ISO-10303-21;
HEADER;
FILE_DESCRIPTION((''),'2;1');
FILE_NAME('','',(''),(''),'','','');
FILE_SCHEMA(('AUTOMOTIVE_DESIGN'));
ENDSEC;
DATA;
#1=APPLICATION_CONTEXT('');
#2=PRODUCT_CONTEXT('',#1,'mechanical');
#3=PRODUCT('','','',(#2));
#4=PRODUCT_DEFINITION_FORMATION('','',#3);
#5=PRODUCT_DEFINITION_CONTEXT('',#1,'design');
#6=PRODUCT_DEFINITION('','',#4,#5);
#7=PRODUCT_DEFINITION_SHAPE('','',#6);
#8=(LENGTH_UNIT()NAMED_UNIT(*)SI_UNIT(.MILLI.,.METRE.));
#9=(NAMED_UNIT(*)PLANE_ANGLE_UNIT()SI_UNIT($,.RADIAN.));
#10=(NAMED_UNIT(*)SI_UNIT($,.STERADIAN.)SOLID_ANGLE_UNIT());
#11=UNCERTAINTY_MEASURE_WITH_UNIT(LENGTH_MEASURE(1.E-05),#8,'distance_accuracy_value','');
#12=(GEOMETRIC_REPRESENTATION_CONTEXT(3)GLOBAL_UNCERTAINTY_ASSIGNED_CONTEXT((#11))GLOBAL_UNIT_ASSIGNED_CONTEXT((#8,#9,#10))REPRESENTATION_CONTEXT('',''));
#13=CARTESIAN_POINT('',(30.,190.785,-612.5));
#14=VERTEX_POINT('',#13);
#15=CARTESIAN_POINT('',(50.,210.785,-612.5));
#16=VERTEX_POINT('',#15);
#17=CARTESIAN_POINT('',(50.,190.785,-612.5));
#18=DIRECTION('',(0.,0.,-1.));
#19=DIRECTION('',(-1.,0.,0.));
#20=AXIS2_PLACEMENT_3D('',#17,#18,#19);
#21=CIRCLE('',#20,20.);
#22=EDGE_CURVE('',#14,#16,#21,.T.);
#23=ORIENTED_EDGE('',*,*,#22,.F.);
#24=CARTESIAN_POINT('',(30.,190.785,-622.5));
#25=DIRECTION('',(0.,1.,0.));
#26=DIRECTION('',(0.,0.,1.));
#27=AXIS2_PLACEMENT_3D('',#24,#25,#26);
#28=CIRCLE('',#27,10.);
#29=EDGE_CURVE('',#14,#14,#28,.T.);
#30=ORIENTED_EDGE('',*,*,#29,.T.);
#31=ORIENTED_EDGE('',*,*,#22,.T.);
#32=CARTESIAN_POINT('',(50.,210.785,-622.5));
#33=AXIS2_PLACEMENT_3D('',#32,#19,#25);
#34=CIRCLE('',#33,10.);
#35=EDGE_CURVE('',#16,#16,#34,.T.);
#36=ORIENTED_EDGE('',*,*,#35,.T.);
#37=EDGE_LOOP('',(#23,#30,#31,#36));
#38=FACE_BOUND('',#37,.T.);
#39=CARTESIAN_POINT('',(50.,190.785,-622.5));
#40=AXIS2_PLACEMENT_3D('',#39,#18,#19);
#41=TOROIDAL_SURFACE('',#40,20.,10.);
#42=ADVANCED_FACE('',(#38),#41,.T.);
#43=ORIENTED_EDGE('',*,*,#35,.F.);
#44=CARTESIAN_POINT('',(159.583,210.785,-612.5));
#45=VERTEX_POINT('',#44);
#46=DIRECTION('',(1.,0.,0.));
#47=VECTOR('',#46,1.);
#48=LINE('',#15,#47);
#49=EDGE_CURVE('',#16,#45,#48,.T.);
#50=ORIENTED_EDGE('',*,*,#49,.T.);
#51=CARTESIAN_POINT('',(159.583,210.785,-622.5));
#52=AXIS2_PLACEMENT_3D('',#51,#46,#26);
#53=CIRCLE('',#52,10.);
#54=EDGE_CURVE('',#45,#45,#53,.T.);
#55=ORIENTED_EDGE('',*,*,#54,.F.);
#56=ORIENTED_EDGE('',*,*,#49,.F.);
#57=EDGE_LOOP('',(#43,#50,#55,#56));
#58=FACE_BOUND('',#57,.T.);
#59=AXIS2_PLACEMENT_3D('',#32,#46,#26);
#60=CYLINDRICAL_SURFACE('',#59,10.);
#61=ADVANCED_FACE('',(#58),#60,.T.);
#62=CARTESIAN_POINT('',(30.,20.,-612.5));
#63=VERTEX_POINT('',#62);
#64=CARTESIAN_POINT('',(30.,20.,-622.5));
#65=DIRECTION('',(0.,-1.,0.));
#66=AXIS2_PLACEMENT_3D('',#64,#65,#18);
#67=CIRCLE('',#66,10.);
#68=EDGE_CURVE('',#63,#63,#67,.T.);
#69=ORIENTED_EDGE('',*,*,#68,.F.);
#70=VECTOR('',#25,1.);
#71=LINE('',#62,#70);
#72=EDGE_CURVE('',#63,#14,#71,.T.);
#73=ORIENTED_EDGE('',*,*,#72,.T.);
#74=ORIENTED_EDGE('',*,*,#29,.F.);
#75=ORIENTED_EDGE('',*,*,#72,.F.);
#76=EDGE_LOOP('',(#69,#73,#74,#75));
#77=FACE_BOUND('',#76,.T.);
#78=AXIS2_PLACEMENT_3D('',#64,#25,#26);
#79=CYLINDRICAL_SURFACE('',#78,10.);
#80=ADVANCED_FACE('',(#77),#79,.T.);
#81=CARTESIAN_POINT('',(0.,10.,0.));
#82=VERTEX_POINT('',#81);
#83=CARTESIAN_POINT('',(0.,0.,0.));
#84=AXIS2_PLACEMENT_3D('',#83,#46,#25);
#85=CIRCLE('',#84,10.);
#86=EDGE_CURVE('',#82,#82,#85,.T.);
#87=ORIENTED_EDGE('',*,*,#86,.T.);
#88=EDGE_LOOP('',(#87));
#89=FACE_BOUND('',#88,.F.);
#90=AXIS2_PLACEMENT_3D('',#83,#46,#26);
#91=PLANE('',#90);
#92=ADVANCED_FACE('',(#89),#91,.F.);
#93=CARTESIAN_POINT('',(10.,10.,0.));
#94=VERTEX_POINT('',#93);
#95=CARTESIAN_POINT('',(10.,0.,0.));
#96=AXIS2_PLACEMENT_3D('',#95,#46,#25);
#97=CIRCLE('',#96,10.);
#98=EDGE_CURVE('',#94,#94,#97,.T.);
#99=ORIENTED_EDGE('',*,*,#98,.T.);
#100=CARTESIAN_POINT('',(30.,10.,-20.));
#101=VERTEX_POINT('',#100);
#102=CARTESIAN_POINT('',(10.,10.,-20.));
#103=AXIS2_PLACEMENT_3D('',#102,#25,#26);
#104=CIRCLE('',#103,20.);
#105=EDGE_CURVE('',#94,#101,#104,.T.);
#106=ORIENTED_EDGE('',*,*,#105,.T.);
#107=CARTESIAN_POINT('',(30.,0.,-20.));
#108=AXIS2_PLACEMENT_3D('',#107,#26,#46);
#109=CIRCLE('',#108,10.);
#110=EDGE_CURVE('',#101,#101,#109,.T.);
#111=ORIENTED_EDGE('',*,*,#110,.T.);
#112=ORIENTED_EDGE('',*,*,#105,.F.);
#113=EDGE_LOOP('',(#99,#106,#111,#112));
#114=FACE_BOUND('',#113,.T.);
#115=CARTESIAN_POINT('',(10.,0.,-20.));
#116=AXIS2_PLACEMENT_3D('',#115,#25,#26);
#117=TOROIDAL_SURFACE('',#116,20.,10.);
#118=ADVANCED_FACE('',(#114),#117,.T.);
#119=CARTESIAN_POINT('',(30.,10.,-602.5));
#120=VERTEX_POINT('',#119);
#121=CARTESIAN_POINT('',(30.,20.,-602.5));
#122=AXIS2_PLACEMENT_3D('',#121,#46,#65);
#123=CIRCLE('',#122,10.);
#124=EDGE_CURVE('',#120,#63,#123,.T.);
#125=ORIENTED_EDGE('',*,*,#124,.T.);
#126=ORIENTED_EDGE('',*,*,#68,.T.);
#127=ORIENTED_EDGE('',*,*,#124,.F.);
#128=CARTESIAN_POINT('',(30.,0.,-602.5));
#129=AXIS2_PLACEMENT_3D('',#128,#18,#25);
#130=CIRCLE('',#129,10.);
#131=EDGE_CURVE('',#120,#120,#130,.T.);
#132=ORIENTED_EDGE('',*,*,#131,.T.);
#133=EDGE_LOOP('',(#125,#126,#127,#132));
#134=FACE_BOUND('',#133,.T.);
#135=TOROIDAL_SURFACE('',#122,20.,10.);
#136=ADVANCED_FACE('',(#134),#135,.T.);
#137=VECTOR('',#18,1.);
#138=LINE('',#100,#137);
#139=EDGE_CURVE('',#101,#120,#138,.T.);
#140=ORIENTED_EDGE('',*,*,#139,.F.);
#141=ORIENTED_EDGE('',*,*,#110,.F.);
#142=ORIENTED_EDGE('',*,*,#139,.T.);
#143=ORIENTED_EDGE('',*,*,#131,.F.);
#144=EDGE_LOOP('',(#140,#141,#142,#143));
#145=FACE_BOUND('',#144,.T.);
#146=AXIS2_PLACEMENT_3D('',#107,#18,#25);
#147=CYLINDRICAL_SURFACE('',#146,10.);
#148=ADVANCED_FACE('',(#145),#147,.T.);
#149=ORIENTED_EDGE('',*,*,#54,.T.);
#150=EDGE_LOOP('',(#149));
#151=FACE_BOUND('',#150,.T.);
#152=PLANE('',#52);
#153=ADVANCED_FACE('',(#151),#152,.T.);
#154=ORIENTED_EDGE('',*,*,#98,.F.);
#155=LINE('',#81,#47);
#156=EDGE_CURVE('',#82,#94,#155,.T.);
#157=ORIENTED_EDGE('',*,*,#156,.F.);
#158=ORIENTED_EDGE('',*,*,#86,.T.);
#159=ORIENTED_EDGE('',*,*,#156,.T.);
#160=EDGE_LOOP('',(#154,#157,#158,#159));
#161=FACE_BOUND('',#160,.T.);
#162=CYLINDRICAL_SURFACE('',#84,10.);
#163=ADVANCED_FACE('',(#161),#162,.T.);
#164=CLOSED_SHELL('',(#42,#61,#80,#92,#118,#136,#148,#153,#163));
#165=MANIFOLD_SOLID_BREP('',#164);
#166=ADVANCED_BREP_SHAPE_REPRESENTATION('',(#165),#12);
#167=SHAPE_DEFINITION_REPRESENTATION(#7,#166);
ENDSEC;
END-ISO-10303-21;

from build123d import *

# Parameters (mm, degrees)
F5_R = 10


with BuildPart() as f6:
    # F6: sweep along a path in F0, F4, F2
    with BuildLine(Plane.XZ) as f6_path:
        Line((0, 0), (10, 0))
        ThreePointArc((10, 0), (24.1421356237, -5.8578643763), (30, -20))
        Line((30, -20), (30, -602.5))
    with BuildLine(Plane.YZ.offset(30)) as f6_path_2:
        ThreePointArc((0, -602.5), (5.8578643763, -616.6421356237), (20, -622.5))
    with BuildLine(Plane.XY.offset(-622.5)) as f6_path_3:
        Line((30, 20), (30, 190.785))
        ThreePointArc((30, 190.785), (35.8578643763, 204.9271356237), (50, 210.785))
        Line((50, 210.785), (159.583, 210.785))
    # F5 (on Right) → F6 (sweep)
    with BuildSketch(Plane.YZ):
        Circle(F5_R)
    sweep(path=f6_path.line + f6_path_2.line + f6_path_3.line)


solid = f6.part
